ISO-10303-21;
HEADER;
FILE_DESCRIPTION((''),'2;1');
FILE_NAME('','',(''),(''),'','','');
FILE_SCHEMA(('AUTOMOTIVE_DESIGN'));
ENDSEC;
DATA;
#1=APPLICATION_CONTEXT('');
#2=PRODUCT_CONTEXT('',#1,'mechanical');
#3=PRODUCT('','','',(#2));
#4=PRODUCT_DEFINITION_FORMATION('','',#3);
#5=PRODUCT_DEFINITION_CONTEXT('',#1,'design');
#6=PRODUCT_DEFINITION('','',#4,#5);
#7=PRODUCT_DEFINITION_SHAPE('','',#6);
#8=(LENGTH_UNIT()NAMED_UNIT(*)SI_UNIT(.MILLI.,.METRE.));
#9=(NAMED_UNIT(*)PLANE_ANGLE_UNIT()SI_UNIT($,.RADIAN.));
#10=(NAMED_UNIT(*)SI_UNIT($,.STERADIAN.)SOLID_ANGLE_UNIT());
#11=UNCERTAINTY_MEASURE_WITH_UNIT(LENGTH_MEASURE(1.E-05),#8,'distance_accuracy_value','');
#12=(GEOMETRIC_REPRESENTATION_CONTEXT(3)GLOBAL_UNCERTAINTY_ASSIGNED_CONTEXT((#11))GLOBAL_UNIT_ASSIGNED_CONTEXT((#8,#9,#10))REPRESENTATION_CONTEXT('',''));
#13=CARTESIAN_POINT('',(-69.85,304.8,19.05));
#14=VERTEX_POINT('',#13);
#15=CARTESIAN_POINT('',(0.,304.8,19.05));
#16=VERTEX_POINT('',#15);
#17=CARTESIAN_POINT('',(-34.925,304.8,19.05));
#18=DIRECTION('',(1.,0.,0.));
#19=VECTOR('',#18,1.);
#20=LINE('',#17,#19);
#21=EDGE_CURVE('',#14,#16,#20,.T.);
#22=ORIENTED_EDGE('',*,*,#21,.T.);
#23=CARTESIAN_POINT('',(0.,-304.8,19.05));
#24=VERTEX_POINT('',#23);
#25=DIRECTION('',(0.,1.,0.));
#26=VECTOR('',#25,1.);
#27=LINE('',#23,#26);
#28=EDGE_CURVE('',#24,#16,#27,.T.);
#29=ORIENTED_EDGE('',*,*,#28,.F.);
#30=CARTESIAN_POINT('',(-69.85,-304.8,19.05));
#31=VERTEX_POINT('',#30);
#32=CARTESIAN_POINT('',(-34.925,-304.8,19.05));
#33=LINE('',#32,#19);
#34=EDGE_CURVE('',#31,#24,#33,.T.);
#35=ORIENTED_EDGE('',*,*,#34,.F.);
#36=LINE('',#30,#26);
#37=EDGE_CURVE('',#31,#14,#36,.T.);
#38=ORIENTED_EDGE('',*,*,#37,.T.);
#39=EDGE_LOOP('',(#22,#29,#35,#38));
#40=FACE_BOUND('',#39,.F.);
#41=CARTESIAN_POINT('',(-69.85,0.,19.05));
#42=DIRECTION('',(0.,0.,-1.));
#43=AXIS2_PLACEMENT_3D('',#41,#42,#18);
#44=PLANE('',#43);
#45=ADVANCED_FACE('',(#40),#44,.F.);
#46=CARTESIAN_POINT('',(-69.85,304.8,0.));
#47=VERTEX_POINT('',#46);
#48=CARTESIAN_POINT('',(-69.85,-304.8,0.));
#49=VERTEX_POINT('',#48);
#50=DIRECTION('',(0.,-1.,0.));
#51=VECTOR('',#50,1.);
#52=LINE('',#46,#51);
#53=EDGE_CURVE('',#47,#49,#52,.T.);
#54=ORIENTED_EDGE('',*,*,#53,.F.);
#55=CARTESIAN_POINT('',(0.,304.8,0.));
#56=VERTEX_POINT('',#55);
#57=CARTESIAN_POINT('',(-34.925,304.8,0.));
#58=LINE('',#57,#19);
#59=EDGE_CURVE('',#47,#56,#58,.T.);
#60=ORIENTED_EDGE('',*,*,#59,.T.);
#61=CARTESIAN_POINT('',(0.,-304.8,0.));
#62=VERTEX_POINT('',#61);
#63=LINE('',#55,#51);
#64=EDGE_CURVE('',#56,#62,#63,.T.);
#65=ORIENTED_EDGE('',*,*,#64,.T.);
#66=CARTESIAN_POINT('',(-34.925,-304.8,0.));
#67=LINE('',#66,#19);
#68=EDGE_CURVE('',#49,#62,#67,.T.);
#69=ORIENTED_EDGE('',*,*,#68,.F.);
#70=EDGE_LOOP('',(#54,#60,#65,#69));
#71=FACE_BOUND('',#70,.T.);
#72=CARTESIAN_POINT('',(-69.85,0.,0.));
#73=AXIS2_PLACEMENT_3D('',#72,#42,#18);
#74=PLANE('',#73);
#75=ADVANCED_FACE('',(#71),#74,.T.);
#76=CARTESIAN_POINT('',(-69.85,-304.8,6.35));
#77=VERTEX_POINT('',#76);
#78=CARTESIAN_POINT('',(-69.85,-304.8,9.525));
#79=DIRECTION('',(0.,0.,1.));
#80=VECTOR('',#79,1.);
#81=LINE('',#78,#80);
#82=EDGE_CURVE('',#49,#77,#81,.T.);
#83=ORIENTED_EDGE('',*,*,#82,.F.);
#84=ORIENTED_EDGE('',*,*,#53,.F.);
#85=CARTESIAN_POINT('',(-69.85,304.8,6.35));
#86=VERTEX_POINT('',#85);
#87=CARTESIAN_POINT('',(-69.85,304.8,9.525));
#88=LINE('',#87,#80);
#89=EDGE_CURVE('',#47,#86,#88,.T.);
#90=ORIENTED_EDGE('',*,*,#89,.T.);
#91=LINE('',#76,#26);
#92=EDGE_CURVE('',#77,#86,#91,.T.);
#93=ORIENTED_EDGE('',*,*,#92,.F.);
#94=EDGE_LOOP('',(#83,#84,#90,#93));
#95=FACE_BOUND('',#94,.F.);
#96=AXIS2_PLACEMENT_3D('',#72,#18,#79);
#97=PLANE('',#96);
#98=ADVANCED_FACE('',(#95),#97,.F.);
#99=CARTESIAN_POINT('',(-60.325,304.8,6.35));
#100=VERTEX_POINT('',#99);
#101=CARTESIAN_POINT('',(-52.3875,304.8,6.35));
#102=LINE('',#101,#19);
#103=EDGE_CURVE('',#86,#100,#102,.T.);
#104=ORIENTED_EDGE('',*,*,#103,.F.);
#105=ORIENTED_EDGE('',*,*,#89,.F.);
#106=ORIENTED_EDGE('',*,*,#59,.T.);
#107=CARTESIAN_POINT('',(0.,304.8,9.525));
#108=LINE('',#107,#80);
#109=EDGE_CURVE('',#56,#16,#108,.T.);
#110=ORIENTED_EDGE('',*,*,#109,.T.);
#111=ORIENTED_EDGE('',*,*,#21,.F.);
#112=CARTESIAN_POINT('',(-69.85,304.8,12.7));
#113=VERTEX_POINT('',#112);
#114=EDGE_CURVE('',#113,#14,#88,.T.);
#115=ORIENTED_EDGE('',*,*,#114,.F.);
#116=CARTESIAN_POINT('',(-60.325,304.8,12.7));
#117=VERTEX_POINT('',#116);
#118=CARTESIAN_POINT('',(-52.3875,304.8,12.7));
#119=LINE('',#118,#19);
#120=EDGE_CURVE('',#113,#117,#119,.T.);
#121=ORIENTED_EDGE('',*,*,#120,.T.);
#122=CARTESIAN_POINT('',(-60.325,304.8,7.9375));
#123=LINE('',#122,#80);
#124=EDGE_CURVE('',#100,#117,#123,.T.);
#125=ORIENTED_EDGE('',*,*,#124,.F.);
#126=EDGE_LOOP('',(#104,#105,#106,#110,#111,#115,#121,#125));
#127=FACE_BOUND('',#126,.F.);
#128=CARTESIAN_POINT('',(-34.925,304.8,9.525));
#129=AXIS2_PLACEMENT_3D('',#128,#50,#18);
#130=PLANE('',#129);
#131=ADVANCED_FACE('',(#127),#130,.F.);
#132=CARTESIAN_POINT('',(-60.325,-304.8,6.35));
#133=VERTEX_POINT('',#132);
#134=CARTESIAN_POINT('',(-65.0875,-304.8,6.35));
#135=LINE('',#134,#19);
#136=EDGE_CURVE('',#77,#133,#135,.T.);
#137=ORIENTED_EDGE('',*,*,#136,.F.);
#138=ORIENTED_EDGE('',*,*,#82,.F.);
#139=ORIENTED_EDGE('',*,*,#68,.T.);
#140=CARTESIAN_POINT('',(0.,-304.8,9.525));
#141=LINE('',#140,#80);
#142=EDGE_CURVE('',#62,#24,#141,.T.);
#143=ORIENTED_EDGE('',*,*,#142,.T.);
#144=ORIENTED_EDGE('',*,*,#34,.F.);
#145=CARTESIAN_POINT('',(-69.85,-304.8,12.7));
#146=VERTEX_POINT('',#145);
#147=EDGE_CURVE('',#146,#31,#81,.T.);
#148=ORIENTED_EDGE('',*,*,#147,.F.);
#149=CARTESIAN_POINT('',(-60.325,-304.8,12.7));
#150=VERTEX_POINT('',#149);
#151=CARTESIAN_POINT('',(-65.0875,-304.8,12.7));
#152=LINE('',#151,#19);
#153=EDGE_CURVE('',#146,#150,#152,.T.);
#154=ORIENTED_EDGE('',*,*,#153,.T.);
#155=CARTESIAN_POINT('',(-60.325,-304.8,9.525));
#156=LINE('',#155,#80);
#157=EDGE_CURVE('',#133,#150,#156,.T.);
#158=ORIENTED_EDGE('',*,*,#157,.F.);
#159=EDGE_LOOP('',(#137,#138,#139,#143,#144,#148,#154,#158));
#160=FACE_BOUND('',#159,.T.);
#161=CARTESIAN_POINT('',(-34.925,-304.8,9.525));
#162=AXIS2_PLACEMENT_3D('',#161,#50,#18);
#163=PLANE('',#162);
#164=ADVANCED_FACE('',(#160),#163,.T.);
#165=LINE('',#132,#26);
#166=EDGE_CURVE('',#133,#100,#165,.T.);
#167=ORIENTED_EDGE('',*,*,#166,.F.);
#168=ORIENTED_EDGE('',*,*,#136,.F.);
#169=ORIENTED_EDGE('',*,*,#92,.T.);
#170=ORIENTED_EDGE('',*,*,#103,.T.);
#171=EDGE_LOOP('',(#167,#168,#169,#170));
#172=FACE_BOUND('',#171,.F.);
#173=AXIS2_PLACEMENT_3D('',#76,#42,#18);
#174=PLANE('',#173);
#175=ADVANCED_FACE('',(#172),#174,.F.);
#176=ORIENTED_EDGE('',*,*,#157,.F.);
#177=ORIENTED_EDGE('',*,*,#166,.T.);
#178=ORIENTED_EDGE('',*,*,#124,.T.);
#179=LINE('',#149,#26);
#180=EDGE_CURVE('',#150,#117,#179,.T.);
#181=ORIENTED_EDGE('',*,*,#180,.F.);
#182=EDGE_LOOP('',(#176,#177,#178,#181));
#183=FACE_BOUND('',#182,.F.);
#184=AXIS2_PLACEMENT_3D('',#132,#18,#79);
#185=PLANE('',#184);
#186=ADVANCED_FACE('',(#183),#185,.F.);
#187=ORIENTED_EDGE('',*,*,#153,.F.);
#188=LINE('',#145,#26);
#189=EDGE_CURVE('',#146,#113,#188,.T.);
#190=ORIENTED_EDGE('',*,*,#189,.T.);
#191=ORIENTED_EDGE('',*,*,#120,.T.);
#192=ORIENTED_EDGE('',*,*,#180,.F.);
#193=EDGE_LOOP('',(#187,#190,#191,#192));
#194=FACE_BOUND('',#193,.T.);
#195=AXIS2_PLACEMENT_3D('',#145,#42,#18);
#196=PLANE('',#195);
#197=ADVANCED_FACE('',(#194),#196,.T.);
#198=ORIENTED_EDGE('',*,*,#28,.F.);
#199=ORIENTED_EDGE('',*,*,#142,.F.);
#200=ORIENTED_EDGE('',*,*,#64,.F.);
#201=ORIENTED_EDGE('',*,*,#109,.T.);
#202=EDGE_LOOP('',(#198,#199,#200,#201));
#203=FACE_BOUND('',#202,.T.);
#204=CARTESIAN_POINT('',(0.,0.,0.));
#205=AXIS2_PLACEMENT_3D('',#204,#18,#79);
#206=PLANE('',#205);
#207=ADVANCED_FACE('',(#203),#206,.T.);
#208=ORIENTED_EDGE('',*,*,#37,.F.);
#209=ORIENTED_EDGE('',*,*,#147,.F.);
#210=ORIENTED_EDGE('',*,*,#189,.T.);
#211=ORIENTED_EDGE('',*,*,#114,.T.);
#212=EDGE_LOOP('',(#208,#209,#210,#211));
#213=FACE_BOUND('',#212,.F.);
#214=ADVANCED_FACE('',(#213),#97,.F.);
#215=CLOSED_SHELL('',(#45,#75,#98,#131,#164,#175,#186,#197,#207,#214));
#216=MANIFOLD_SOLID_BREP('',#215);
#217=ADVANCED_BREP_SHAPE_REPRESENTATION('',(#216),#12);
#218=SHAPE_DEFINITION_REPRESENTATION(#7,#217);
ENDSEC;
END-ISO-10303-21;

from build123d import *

# Parameters (mm, degrees)
F0_W     = 69.85
F0_H     = 19.05
F1_DEPTH = 304.8
F2_W     = 9.525
F2_H     = 6.35
F3_DEPTH = 609.601


with BuildPart() as f1:
    # F0 (on Front) → F1 (new body, symmetric)
    with BuildSketch(Plane.XZ):
        with Locations((-34.925, 9.525)):
            Rectangle(F0_W, F0_H)
    extrude(amount=F1_DEPTH, both=True)

    # F2 (on face) → F3 (cut, through all)
    with BuildSketch(Plane.XZ.offset(304.8)):
        with Locations((-65.0875, 9.525)):
            Rectangle(F2_W, F2_H)
    extrude(amount=-F3_DEPTH, mode=Mode.SUBTRACT)


solid = f1.part
